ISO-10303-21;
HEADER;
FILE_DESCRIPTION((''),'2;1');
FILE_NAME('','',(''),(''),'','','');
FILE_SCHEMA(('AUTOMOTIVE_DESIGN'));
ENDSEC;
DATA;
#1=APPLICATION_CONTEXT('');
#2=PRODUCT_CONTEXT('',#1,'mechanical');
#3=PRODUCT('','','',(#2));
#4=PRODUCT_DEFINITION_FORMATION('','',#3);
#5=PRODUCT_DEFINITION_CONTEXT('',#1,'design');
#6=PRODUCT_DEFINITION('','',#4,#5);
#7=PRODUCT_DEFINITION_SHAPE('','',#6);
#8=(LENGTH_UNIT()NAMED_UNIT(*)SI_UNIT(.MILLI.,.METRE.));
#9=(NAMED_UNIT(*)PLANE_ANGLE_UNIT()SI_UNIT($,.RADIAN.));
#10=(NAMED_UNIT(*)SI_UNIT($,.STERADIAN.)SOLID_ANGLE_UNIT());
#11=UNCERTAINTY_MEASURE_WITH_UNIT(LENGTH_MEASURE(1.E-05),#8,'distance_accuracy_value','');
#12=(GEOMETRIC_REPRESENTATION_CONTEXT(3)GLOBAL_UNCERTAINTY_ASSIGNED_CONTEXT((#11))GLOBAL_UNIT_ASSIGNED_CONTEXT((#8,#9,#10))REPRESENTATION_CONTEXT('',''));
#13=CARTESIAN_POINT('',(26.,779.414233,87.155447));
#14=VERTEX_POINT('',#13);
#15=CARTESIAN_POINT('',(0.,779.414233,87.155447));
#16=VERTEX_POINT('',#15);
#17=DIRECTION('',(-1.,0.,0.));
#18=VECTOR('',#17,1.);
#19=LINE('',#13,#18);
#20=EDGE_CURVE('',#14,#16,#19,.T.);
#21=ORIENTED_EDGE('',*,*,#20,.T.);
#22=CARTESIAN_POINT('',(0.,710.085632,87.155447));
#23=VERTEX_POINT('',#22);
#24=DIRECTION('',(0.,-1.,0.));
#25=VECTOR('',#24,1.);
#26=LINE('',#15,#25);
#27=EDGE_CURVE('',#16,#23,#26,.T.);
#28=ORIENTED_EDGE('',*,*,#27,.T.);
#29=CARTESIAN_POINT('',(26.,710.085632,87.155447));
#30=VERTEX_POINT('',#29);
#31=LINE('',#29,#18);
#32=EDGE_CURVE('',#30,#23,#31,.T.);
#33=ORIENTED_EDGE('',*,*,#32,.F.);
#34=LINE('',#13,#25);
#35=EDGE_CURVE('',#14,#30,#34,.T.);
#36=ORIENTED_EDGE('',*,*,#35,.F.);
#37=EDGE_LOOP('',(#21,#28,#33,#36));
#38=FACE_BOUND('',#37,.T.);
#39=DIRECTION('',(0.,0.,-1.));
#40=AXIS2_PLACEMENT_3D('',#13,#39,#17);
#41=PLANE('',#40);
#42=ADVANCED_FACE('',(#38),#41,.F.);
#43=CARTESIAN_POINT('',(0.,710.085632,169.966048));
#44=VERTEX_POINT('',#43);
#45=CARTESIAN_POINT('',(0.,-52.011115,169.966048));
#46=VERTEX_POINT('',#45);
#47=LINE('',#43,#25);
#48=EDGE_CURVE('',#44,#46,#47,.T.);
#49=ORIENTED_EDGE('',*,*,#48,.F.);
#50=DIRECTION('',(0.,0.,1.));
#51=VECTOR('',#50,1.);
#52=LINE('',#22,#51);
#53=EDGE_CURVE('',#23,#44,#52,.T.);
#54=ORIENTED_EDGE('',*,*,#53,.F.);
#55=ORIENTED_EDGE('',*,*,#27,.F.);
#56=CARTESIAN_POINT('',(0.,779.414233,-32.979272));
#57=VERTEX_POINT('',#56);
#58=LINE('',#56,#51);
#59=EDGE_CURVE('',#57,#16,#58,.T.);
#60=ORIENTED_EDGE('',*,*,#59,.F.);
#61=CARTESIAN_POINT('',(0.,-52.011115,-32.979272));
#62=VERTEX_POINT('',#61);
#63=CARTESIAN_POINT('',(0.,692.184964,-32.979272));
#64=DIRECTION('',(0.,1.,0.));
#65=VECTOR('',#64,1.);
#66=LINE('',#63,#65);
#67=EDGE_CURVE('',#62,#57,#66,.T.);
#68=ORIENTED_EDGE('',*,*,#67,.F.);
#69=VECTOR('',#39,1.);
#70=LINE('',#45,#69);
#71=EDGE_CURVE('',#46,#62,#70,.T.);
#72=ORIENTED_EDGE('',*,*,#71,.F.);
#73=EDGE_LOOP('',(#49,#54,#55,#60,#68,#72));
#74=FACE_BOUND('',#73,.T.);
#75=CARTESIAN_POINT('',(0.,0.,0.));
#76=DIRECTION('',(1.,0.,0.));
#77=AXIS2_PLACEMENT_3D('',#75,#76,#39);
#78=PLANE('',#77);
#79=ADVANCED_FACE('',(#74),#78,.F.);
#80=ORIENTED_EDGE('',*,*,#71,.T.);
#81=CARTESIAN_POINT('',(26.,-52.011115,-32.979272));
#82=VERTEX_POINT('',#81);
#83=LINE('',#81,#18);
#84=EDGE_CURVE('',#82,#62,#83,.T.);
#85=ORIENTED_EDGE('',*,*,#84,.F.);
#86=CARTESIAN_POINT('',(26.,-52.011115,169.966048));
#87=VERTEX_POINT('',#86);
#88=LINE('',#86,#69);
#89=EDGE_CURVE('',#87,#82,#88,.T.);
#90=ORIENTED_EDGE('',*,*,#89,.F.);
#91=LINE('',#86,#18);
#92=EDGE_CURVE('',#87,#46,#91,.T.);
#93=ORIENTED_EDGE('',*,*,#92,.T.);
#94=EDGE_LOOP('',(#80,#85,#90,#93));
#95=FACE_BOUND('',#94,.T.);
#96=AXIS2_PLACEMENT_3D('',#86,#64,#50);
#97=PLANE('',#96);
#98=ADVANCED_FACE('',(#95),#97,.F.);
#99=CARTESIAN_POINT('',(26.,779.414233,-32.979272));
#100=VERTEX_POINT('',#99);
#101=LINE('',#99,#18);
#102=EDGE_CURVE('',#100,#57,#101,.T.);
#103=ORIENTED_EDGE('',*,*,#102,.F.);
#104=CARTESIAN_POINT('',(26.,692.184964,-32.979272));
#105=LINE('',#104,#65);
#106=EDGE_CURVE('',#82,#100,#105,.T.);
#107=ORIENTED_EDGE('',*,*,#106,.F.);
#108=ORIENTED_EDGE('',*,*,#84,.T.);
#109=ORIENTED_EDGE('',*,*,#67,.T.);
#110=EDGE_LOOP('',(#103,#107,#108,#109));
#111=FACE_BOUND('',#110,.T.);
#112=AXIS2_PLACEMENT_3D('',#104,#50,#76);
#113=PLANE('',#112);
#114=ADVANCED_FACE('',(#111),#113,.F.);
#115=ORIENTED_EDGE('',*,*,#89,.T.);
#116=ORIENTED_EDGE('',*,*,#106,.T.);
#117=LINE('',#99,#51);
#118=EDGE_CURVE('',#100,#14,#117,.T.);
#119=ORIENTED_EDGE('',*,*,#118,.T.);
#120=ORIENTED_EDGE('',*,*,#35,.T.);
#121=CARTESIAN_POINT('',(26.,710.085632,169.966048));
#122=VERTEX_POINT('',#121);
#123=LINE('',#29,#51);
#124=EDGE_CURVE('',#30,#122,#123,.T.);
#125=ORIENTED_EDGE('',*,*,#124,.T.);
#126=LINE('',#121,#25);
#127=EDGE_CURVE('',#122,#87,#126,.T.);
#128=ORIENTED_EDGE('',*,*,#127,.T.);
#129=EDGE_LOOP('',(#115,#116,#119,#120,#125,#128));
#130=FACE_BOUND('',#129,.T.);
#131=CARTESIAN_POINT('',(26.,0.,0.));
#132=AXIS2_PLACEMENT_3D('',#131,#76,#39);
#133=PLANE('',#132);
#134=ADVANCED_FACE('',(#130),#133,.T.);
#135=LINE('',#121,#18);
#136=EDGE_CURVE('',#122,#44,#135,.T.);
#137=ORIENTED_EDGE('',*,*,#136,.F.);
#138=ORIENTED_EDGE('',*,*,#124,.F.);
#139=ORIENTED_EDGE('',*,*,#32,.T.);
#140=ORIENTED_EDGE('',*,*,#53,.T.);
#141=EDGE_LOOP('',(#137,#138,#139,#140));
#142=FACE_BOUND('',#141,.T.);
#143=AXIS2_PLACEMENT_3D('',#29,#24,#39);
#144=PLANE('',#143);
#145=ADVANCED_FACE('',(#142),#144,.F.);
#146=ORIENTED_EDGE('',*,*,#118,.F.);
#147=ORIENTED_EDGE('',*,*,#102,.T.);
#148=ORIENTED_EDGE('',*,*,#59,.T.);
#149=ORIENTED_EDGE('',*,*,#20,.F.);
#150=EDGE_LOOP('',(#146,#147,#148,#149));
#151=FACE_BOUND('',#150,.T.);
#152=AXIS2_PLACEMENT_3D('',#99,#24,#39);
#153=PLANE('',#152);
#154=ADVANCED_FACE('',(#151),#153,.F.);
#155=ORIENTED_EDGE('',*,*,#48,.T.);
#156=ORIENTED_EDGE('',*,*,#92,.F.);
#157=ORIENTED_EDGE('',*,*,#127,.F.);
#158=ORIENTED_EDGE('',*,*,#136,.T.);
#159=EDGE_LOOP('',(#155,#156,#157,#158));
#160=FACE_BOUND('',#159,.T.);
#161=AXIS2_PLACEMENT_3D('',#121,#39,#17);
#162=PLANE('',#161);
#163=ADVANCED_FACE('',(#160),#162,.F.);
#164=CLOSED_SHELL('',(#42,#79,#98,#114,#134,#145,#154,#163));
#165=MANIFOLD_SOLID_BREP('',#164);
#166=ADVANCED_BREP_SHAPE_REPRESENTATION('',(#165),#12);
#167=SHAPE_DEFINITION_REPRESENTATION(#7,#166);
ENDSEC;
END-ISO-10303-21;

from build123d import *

# Parameters (mm, degrees)
SALIENTE_EXTRUIR1_DEPTH = 26


with BuildPart() as part:
    # Croquis1 → Saliente-Extruir1 (new body)
    with BuildSketch(Plane(origin=(0, 0, 0), x_dir=(0, 0, -1), z_dir=(1, 0, 0))):
        Polygon((32.979271971, 692.184964261), (32.979271971, 779.414233093), (-87.155446793, 779.414233093), (-87.155446793, 710.085632065), (-169.966048389, 710.085632065), (-169.966048389, -52.011115454), (32.979271971, -52.011115454), align=None)
    extrude(amount=SALIENTE_EXTRUIR1_DEPTH)


solid = part.part
